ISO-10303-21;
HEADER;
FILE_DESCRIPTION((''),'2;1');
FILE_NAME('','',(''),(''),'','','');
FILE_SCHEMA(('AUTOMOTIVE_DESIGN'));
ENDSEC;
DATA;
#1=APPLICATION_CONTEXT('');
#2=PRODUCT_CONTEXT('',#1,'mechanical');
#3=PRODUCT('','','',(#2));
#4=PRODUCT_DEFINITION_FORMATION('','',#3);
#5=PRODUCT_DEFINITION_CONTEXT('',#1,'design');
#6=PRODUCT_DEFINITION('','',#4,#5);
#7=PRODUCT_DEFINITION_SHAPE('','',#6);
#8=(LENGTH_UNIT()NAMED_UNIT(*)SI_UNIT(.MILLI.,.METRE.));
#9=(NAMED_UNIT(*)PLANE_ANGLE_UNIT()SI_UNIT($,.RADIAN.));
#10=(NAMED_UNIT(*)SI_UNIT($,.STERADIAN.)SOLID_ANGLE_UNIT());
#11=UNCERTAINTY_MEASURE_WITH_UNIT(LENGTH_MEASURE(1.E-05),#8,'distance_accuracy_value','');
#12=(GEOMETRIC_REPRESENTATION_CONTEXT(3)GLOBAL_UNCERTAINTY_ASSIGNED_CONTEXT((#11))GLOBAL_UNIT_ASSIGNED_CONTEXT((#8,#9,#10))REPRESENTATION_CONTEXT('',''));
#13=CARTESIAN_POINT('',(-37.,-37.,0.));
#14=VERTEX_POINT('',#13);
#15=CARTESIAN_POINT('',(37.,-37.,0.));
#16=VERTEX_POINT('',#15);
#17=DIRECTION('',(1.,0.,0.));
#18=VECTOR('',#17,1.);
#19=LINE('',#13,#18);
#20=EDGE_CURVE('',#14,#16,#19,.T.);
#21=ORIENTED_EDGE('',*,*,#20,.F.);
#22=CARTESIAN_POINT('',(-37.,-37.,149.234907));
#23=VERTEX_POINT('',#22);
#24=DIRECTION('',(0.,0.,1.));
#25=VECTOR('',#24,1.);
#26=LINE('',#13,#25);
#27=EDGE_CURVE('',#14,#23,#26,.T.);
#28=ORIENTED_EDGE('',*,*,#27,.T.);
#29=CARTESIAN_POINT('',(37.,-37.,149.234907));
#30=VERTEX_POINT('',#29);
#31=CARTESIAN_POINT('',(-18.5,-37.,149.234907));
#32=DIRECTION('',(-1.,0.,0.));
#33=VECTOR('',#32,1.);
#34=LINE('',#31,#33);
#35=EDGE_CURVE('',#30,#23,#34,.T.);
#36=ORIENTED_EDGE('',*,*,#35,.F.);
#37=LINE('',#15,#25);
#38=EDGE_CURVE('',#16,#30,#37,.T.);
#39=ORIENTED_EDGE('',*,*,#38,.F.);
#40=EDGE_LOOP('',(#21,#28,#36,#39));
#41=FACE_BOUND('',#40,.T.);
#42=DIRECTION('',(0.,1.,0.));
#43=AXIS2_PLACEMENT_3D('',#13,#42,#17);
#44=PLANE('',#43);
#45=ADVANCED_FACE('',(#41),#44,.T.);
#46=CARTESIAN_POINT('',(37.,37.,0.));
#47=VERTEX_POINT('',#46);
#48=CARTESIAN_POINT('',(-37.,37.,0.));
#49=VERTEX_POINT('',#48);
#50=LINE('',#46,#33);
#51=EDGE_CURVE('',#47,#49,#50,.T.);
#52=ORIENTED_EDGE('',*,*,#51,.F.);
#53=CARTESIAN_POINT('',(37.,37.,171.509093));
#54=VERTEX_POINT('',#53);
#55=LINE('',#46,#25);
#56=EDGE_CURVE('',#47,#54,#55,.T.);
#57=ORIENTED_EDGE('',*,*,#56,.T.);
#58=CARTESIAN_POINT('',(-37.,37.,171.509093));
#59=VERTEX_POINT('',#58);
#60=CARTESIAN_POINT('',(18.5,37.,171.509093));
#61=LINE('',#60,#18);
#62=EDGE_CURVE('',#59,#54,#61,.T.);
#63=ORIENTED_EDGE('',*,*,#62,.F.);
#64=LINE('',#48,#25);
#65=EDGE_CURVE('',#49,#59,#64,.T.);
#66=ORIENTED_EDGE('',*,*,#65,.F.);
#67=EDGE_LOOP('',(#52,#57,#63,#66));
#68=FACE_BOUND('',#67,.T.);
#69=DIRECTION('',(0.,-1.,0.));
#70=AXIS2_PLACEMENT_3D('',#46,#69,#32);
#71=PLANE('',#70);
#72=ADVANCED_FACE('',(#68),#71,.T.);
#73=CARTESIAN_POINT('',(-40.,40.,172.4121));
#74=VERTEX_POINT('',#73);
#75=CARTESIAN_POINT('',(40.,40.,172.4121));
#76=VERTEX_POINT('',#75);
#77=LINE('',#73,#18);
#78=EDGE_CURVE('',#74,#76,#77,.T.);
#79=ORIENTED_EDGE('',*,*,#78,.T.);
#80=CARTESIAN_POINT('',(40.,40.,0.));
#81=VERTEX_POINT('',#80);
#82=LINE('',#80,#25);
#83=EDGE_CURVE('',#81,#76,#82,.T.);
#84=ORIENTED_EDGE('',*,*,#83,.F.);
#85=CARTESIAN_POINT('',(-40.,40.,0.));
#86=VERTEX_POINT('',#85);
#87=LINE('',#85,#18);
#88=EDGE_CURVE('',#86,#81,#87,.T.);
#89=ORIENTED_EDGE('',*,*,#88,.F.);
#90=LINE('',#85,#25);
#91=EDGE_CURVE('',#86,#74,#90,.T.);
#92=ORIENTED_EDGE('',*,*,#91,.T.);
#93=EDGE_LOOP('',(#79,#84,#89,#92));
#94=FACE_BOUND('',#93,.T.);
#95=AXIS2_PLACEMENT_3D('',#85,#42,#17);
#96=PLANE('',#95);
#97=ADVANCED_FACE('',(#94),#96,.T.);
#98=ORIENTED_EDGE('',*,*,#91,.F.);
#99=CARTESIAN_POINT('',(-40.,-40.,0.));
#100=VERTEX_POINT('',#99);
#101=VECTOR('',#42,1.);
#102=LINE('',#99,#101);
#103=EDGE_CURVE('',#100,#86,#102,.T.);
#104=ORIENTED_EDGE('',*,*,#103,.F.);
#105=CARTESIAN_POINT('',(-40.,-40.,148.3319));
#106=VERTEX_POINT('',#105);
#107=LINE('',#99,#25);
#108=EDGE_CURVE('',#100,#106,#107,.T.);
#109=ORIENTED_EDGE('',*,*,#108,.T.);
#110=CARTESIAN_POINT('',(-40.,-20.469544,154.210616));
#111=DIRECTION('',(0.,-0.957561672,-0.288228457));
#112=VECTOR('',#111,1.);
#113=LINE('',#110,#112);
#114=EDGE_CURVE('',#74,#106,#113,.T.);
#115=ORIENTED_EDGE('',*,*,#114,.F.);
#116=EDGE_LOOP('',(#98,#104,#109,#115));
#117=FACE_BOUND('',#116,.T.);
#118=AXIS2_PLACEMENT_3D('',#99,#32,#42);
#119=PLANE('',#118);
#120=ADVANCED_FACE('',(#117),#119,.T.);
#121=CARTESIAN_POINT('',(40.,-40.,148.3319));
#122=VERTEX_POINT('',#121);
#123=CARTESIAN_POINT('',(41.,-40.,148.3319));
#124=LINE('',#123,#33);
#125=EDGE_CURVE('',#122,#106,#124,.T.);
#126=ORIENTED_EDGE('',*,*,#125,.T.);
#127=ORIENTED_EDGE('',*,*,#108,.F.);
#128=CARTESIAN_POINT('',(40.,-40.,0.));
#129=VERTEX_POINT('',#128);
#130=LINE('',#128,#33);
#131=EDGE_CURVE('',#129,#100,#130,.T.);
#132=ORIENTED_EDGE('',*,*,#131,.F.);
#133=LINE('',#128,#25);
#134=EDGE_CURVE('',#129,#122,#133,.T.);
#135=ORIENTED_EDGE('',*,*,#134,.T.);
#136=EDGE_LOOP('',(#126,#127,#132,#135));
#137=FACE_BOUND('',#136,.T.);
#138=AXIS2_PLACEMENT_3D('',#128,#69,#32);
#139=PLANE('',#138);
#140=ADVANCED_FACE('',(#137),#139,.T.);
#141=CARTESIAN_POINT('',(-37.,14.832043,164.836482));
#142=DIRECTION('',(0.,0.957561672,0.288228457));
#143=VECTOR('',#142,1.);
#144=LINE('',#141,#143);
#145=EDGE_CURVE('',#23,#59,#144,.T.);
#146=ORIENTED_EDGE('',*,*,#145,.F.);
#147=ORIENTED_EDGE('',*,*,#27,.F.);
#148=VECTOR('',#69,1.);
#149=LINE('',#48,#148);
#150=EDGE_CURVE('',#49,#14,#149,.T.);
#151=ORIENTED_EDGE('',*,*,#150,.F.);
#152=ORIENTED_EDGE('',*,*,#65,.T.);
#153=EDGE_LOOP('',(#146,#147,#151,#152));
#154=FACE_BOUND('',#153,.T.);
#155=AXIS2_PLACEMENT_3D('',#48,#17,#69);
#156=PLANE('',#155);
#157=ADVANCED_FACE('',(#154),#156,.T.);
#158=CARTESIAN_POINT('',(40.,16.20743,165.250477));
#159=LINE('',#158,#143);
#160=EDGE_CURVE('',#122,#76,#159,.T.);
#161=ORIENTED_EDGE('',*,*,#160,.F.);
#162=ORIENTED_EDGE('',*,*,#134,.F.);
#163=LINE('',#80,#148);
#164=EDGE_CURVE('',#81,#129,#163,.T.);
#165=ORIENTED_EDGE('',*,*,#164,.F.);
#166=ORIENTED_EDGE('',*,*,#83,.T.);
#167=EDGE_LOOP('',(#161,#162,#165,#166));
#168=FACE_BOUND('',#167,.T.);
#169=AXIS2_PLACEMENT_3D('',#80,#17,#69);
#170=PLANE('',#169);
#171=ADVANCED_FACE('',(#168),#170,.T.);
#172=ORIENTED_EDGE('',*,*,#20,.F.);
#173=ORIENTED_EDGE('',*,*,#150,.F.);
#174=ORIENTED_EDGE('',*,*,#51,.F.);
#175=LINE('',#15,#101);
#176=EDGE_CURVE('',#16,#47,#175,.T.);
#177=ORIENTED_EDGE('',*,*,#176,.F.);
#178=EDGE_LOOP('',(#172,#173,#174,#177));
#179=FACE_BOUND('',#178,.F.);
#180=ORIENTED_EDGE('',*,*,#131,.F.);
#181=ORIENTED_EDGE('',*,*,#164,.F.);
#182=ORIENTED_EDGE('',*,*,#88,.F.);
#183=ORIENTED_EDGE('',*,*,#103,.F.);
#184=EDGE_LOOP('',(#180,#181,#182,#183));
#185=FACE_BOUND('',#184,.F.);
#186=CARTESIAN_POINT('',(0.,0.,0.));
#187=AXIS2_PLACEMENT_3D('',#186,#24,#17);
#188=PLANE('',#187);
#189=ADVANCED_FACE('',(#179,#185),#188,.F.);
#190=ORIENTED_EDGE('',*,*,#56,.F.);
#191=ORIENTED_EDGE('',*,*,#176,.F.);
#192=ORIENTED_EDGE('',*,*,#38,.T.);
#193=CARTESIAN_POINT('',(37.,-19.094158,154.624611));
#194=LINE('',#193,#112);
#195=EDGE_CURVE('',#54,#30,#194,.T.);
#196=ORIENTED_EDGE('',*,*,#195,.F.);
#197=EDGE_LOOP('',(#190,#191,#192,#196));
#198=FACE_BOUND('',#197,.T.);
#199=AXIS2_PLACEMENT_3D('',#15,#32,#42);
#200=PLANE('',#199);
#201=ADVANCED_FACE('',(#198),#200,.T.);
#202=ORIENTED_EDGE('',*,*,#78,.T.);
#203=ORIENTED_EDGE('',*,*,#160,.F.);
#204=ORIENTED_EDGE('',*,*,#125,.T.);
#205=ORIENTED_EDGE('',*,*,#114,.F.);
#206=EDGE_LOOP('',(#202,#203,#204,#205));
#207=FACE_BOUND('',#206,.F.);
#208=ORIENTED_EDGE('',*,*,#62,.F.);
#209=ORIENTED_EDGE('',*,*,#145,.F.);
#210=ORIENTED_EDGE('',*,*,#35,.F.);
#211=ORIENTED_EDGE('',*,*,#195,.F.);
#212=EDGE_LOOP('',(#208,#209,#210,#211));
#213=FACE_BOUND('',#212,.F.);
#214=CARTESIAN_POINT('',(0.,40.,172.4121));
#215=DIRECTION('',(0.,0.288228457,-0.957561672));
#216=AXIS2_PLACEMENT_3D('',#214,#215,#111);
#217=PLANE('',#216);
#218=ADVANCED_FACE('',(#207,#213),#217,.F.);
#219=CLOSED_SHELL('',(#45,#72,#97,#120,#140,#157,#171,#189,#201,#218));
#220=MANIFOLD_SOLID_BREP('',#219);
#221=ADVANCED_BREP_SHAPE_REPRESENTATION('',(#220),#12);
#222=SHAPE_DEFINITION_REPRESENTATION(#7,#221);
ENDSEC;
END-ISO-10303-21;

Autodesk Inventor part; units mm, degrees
ref_plane "YZ Plane" through (0, 0, 0) normal (1, 0, 0) x (0, 1, 0)
ref_plane "XZ Plane" through (0, 0, 0) normal (0, 1, 0) x (-1, 0, 0)
ref_plane "XY Plane" through (0, 0, 0) normal (0, 0, 1) x (1, 0, 0)
sketch "Sketch1" plane through (0, 0, 0) normal (0, 0, 1) x (1, 0, 0)
  line L0 (40, -40) -> (-40, -40)
  line L1 (-40, -40) -> (-40, 40)
  line L2 (-40, 40) -> (40, 40)
  line L3 (40, 40) -> (40, -40)
  line L4 (40, -40) -> (-40, 40) construction
  line L5 (-40, -40) -> (40, 40) construction
  line L6 (-37, -37) -> (37, -37)
  line L7 (37, -37) -> (37, 37)
  line L8 (37, 37) -> (-37, 37)
  line L9 (-37, 37) -> (-37, -37)
  point P0 (0, 0)
  dimension "d0" = 80
  dimension "d1" = 80
  dimension "d2" = 3
extrude "Extrusion1" add sketch "Sketch1" along normal blind 172.4121
sketch "Sketch2" plane through (0, 0, 0) normal (1, 0, 0) x (0, 1, 0)
  line L0 (40, 0) -> (-40, 0) projected
  line L1 (-40, 0) -> (-40, 172.4121) projected
  line L2 (40, 172.4121) -> (-40, 172.4121) projected
  line L3 (40, 0) -> (40, 172.4121) projected
  line L4 (40, 172.4121) -> (-40, 148.3319)
  point P0 (0, 0)
  dimension "d5" = 16.752
extrude "Extrusion2" cut sketch "Sketch2" along normal through all both and the other way through all contours L4 L1 L2
equation "\"d3\" = Lenth"
equation "\"d5\" = Leg_cut_angle"
equation "\"Lenth\" = Leg_hight"
equation "\"Leg_cut_angle\" = 16.751975deg"
equation "\"Leg_hight\" = 172.412142"
properties part number "ANP 1484 leg tube"
